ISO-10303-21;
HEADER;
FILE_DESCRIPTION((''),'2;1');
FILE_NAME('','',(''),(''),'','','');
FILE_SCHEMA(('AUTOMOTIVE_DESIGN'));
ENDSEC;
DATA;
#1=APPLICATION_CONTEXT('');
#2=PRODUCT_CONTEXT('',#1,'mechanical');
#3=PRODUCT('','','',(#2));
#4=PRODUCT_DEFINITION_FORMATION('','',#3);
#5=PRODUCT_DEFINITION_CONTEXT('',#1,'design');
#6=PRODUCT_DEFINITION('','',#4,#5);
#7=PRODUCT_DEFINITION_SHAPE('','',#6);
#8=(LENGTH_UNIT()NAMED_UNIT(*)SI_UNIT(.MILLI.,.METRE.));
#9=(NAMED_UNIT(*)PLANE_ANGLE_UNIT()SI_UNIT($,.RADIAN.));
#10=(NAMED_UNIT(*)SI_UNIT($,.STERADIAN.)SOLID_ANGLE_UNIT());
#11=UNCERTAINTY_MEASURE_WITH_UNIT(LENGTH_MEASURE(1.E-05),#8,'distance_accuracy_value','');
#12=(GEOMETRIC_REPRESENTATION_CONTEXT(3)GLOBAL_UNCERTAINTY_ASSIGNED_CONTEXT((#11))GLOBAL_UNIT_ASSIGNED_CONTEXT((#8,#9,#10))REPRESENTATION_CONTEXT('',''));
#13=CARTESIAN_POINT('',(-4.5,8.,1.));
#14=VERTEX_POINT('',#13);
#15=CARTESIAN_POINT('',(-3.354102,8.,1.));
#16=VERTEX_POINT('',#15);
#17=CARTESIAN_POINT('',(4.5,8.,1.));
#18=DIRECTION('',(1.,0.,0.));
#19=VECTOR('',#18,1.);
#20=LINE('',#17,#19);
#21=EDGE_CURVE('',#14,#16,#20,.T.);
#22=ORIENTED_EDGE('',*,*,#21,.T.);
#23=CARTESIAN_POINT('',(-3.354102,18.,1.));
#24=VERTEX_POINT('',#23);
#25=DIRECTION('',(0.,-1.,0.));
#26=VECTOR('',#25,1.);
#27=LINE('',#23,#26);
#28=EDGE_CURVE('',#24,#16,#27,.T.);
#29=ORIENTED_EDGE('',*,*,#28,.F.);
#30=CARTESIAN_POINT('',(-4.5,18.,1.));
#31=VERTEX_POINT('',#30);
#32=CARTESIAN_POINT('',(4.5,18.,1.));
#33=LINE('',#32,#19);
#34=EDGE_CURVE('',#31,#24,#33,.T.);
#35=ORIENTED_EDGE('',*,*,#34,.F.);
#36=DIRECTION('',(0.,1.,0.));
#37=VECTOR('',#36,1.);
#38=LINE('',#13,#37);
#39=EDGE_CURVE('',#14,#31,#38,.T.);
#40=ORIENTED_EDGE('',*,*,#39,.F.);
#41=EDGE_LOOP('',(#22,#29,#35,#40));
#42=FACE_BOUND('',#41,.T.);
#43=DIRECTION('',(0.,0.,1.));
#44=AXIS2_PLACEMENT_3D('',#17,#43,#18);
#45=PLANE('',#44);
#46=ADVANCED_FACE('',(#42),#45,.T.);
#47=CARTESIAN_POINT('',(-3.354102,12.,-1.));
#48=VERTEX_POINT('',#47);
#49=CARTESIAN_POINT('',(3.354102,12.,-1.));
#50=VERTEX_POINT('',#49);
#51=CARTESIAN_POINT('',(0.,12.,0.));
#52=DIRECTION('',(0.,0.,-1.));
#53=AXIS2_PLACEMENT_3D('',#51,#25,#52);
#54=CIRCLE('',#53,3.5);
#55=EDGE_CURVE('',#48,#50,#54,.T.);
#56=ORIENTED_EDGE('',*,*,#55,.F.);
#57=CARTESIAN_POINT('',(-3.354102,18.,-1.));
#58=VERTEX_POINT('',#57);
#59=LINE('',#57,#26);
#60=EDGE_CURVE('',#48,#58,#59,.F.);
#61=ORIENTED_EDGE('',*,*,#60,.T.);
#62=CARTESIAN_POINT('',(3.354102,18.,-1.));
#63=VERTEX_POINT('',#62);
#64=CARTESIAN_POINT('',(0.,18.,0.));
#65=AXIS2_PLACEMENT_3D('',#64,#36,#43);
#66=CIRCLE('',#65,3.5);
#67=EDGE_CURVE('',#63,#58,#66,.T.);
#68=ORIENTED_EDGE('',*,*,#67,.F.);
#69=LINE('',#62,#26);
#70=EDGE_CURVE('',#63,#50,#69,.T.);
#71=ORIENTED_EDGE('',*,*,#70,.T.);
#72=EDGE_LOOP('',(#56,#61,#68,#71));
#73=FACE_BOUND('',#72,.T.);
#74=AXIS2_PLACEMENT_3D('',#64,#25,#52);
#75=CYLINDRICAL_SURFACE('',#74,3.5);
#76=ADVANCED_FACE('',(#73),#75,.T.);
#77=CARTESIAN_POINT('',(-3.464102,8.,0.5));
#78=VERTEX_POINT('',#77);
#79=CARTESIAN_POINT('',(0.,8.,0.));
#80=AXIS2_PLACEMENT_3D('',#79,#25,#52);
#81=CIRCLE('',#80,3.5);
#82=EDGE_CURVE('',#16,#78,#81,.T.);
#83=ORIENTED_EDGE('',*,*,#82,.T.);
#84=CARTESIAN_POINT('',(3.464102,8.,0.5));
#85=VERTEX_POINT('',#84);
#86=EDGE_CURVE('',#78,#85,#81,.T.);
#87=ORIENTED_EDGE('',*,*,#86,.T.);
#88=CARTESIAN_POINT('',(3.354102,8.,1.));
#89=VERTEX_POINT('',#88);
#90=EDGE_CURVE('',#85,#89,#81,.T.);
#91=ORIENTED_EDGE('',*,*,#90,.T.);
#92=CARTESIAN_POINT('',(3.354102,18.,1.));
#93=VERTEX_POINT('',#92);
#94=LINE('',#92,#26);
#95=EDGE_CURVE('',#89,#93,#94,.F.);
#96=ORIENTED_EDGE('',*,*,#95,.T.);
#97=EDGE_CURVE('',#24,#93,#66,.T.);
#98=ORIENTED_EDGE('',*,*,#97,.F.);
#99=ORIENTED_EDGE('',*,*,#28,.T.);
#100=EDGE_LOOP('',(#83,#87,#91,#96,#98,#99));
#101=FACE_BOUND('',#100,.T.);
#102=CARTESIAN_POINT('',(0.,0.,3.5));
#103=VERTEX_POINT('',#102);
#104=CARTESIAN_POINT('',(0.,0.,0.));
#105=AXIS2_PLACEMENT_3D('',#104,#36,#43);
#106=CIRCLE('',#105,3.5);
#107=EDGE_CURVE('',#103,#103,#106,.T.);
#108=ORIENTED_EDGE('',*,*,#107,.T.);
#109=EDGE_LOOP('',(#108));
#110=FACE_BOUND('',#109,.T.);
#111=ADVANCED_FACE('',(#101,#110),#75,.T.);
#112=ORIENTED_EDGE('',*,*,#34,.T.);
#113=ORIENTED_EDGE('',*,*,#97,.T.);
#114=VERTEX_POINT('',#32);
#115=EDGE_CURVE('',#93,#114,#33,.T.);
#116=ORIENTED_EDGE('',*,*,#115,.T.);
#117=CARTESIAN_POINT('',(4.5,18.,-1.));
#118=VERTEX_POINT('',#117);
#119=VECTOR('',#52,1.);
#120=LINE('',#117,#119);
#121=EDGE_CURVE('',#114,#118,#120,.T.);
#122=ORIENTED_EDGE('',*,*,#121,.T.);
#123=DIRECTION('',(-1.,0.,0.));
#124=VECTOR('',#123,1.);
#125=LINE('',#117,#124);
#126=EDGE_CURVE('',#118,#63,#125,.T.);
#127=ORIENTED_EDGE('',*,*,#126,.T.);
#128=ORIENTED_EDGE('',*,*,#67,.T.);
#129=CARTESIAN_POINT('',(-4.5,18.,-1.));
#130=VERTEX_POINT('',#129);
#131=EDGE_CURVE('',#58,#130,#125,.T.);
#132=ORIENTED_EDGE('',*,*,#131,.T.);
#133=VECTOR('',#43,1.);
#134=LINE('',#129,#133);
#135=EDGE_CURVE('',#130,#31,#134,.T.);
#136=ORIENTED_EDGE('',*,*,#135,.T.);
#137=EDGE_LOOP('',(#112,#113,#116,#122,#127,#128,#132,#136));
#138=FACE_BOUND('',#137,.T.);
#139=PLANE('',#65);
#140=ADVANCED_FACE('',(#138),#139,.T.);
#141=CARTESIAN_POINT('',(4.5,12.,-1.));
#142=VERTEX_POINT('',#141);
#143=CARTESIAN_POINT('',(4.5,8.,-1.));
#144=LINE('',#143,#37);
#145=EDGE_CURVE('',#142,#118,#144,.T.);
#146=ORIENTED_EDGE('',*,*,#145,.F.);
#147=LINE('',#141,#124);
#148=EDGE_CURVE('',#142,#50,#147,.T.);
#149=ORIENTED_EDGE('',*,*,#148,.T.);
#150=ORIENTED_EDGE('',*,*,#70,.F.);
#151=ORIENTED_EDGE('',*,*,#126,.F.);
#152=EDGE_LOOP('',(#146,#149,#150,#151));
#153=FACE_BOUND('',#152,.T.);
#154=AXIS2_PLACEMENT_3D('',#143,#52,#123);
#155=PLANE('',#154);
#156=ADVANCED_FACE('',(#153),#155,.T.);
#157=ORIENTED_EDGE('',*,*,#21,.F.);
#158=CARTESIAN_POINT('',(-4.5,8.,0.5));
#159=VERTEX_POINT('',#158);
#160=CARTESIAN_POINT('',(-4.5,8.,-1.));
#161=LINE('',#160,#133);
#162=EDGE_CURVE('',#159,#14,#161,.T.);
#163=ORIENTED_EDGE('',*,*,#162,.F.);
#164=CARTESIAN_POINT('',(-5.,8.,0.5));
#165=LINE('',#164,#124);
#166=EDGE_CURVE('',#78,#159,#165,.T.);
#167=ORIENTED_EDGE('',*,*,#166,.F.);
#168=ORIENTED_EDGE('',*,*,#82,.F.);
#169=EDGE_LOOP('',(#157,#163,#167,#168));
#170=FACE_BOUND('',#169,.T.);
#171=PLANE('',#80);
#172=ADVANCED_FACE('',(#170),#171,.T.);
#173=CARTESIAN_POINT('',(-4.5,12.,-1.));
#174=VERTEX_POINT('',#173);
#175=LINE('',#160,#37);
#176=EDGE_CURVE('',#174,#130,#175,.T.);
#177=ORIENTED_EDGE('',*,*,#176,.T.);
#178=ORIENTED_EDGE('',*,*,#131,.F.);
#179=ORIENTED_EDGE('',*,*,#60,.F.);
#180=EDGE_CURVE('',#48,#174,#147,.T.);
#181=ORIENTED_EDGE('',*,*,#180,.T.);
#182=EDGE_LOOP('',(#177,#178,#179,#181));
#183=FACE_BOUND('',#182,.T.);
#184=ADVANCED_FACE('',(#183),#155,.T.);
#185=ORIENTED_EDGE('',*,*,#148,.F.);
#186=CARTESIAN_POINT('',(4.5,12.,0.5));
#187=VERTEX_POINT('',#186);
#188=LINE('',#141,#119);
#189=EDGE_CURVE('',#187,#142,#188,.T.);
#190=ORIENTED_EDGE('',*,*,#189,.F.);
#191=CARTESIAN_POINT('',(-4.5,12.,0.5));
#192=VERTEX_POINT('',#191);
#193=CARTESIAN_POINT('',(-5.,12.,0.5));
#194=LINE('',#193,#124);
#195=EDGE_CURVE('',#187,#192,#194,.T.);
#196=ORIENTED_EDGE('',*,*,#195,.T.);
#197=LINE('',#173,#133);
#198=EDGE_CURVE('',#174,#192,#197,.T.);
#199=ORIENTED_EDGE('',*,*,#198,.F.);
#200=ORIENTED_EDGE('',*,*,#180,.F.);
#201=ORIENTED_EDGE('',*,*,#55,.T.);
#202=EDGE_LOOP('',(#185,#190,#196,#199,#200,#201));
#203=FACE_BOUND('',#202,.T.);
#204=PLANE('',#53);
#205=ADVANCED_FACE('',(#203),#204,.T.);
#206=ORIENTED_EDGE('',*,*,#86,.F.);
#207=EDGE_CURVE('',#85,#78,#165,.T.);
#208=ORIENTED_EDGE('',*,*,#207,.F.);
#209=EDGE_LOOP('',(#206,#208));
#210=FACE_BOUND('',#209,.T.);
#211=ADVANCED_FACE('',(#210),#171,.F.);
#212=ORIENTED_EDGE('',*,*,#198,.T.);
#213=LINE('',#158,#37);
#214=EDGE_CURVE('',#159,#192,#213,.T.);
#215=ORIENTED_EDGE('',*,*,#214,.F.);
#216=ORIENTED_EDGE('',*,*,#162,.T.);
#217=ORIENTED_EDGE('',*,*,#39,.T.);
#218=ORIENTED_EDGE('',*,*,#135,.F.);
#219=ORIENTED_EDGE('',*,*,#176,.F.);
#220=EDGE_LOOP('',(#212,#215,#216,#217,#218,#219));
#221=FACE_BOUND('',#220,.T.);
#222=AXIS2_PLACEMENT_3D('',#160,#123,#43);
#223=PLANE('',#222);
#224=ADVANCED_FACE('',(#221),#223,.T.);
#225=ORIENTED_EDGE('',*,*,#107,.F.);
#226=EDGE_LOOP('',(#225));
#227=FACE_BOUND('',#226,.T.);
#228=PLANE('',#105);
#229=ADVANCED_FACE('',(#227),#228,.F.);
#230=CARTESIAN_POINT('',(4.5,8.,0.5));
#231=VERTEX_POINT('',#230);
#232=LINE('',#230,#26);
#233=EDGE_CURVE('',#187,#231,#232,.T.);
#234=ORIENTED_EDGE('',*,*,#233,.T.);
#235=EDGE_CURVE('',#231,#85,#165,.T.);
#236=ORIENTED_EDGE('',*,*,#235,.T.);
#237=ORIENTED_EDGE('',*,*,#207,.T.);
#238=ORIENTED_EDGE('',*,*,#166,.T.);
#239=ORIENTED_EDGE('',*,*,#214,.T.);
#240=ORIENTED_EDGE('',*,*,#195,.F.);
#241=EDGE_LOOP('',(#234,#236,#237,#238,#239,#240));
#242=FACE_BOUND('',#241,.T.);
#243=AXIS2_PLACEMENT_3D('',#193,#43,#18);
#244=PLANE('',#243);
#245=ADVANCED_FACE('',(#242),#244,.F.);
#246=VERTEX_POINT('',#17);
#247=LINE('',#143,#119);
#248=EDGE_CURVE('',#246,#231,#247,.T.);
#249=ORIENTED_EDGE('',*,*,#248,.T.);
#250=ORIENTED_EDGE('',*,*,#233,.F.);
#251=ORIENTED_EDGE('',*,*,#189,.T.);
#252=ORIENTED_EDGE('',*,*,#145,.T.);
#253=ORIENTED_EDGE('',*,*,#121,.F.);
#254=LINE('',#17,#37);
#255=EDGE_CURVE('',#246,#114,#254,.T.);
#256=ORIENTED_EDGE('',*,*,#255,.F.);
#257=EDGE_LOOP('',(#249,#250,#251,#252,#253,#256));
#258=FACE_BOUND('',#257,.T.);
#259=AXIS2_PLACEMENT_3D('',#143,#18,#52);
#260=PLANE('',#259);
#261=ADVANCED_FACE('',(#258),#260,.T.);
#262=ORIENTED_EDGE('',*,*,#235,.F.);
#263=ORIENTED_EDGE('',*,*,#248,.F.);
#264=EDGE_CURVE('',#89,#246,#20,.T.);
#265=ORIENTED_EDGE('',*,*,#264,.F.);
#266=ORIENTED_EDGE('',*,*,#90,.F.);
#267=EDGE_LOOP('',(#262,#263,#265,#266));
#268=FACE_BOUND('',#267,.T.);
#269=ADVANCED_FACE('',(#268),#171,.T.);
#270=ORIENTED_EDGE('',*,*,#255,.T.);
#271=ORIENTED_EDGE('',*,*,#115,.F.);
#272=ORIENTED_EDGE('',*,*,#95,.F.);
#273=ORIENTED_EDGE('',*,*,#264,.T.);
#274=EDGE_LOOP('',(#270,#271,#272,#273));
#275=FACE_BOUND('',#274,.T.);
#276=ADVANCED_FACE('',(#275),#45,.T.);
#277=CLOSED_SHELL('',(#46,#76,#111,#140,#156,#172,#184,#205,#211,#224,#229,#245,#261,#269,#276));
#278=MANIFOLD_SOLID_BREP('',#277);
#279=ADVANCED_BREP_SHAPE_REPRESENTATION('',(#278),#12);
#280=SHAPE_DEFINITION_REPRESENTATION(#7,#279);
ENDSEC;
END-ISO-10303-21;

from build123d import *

# Parameters (mm, degrees)
SKETCH1_R           = 3.5
BOSS_EXTRUDE1_DEPTH = 18
SKETCH2_W           = 9
SKETCH2_H           = 2
BOSS_EXTRUDE3_DEPTH = 10
CUT_EXTRUDE3_START  = -8
SKETCH3_W           = 10
SKETCH3_H           = 4
CUT_EXTRUDE3_DEPTH  = 4


with BuildPart() as part:
    # Sketch1 → Boss-Extrude1 (new body)
    with BuildSketch(Plane(origin=(0, 0, 0), x_dir=(1, 0, 0), z_dir=(0, 1, 0))):
        with Locations(Location((0, 0, 0), (0, 0, 270))):
            Circle(SKETCH1_R)
    extrude(amount=BOSS_EXTRUDE1_DEPTH)

    # Sketch2 → Boss-Extrude3 (add)
    with BuildSketch(Plane(origin=(0, 18, 0), x_dir=(1, 0, 0), z_dir=(0, 1, 0))):
        Rectangle(SKETCH2_W, SKETCH2_H)
    extrude(amount=-BOSS_EXTRUDE3_DEPTH)

    # Sketch3 → Cut-Extrude3 (cut)
    with BuildSketch(Plane.XZ.offset(CUT_EXTRUDE3_START)):
        with Locations((0, -1.5)):
            Rectangle(SKETCH3_W, SKETCH3_H)
    extrude(amount=-CUT_EXTRUDE3_DEPTH, mode=Mode.SUBTRACT)


solid = part.part
